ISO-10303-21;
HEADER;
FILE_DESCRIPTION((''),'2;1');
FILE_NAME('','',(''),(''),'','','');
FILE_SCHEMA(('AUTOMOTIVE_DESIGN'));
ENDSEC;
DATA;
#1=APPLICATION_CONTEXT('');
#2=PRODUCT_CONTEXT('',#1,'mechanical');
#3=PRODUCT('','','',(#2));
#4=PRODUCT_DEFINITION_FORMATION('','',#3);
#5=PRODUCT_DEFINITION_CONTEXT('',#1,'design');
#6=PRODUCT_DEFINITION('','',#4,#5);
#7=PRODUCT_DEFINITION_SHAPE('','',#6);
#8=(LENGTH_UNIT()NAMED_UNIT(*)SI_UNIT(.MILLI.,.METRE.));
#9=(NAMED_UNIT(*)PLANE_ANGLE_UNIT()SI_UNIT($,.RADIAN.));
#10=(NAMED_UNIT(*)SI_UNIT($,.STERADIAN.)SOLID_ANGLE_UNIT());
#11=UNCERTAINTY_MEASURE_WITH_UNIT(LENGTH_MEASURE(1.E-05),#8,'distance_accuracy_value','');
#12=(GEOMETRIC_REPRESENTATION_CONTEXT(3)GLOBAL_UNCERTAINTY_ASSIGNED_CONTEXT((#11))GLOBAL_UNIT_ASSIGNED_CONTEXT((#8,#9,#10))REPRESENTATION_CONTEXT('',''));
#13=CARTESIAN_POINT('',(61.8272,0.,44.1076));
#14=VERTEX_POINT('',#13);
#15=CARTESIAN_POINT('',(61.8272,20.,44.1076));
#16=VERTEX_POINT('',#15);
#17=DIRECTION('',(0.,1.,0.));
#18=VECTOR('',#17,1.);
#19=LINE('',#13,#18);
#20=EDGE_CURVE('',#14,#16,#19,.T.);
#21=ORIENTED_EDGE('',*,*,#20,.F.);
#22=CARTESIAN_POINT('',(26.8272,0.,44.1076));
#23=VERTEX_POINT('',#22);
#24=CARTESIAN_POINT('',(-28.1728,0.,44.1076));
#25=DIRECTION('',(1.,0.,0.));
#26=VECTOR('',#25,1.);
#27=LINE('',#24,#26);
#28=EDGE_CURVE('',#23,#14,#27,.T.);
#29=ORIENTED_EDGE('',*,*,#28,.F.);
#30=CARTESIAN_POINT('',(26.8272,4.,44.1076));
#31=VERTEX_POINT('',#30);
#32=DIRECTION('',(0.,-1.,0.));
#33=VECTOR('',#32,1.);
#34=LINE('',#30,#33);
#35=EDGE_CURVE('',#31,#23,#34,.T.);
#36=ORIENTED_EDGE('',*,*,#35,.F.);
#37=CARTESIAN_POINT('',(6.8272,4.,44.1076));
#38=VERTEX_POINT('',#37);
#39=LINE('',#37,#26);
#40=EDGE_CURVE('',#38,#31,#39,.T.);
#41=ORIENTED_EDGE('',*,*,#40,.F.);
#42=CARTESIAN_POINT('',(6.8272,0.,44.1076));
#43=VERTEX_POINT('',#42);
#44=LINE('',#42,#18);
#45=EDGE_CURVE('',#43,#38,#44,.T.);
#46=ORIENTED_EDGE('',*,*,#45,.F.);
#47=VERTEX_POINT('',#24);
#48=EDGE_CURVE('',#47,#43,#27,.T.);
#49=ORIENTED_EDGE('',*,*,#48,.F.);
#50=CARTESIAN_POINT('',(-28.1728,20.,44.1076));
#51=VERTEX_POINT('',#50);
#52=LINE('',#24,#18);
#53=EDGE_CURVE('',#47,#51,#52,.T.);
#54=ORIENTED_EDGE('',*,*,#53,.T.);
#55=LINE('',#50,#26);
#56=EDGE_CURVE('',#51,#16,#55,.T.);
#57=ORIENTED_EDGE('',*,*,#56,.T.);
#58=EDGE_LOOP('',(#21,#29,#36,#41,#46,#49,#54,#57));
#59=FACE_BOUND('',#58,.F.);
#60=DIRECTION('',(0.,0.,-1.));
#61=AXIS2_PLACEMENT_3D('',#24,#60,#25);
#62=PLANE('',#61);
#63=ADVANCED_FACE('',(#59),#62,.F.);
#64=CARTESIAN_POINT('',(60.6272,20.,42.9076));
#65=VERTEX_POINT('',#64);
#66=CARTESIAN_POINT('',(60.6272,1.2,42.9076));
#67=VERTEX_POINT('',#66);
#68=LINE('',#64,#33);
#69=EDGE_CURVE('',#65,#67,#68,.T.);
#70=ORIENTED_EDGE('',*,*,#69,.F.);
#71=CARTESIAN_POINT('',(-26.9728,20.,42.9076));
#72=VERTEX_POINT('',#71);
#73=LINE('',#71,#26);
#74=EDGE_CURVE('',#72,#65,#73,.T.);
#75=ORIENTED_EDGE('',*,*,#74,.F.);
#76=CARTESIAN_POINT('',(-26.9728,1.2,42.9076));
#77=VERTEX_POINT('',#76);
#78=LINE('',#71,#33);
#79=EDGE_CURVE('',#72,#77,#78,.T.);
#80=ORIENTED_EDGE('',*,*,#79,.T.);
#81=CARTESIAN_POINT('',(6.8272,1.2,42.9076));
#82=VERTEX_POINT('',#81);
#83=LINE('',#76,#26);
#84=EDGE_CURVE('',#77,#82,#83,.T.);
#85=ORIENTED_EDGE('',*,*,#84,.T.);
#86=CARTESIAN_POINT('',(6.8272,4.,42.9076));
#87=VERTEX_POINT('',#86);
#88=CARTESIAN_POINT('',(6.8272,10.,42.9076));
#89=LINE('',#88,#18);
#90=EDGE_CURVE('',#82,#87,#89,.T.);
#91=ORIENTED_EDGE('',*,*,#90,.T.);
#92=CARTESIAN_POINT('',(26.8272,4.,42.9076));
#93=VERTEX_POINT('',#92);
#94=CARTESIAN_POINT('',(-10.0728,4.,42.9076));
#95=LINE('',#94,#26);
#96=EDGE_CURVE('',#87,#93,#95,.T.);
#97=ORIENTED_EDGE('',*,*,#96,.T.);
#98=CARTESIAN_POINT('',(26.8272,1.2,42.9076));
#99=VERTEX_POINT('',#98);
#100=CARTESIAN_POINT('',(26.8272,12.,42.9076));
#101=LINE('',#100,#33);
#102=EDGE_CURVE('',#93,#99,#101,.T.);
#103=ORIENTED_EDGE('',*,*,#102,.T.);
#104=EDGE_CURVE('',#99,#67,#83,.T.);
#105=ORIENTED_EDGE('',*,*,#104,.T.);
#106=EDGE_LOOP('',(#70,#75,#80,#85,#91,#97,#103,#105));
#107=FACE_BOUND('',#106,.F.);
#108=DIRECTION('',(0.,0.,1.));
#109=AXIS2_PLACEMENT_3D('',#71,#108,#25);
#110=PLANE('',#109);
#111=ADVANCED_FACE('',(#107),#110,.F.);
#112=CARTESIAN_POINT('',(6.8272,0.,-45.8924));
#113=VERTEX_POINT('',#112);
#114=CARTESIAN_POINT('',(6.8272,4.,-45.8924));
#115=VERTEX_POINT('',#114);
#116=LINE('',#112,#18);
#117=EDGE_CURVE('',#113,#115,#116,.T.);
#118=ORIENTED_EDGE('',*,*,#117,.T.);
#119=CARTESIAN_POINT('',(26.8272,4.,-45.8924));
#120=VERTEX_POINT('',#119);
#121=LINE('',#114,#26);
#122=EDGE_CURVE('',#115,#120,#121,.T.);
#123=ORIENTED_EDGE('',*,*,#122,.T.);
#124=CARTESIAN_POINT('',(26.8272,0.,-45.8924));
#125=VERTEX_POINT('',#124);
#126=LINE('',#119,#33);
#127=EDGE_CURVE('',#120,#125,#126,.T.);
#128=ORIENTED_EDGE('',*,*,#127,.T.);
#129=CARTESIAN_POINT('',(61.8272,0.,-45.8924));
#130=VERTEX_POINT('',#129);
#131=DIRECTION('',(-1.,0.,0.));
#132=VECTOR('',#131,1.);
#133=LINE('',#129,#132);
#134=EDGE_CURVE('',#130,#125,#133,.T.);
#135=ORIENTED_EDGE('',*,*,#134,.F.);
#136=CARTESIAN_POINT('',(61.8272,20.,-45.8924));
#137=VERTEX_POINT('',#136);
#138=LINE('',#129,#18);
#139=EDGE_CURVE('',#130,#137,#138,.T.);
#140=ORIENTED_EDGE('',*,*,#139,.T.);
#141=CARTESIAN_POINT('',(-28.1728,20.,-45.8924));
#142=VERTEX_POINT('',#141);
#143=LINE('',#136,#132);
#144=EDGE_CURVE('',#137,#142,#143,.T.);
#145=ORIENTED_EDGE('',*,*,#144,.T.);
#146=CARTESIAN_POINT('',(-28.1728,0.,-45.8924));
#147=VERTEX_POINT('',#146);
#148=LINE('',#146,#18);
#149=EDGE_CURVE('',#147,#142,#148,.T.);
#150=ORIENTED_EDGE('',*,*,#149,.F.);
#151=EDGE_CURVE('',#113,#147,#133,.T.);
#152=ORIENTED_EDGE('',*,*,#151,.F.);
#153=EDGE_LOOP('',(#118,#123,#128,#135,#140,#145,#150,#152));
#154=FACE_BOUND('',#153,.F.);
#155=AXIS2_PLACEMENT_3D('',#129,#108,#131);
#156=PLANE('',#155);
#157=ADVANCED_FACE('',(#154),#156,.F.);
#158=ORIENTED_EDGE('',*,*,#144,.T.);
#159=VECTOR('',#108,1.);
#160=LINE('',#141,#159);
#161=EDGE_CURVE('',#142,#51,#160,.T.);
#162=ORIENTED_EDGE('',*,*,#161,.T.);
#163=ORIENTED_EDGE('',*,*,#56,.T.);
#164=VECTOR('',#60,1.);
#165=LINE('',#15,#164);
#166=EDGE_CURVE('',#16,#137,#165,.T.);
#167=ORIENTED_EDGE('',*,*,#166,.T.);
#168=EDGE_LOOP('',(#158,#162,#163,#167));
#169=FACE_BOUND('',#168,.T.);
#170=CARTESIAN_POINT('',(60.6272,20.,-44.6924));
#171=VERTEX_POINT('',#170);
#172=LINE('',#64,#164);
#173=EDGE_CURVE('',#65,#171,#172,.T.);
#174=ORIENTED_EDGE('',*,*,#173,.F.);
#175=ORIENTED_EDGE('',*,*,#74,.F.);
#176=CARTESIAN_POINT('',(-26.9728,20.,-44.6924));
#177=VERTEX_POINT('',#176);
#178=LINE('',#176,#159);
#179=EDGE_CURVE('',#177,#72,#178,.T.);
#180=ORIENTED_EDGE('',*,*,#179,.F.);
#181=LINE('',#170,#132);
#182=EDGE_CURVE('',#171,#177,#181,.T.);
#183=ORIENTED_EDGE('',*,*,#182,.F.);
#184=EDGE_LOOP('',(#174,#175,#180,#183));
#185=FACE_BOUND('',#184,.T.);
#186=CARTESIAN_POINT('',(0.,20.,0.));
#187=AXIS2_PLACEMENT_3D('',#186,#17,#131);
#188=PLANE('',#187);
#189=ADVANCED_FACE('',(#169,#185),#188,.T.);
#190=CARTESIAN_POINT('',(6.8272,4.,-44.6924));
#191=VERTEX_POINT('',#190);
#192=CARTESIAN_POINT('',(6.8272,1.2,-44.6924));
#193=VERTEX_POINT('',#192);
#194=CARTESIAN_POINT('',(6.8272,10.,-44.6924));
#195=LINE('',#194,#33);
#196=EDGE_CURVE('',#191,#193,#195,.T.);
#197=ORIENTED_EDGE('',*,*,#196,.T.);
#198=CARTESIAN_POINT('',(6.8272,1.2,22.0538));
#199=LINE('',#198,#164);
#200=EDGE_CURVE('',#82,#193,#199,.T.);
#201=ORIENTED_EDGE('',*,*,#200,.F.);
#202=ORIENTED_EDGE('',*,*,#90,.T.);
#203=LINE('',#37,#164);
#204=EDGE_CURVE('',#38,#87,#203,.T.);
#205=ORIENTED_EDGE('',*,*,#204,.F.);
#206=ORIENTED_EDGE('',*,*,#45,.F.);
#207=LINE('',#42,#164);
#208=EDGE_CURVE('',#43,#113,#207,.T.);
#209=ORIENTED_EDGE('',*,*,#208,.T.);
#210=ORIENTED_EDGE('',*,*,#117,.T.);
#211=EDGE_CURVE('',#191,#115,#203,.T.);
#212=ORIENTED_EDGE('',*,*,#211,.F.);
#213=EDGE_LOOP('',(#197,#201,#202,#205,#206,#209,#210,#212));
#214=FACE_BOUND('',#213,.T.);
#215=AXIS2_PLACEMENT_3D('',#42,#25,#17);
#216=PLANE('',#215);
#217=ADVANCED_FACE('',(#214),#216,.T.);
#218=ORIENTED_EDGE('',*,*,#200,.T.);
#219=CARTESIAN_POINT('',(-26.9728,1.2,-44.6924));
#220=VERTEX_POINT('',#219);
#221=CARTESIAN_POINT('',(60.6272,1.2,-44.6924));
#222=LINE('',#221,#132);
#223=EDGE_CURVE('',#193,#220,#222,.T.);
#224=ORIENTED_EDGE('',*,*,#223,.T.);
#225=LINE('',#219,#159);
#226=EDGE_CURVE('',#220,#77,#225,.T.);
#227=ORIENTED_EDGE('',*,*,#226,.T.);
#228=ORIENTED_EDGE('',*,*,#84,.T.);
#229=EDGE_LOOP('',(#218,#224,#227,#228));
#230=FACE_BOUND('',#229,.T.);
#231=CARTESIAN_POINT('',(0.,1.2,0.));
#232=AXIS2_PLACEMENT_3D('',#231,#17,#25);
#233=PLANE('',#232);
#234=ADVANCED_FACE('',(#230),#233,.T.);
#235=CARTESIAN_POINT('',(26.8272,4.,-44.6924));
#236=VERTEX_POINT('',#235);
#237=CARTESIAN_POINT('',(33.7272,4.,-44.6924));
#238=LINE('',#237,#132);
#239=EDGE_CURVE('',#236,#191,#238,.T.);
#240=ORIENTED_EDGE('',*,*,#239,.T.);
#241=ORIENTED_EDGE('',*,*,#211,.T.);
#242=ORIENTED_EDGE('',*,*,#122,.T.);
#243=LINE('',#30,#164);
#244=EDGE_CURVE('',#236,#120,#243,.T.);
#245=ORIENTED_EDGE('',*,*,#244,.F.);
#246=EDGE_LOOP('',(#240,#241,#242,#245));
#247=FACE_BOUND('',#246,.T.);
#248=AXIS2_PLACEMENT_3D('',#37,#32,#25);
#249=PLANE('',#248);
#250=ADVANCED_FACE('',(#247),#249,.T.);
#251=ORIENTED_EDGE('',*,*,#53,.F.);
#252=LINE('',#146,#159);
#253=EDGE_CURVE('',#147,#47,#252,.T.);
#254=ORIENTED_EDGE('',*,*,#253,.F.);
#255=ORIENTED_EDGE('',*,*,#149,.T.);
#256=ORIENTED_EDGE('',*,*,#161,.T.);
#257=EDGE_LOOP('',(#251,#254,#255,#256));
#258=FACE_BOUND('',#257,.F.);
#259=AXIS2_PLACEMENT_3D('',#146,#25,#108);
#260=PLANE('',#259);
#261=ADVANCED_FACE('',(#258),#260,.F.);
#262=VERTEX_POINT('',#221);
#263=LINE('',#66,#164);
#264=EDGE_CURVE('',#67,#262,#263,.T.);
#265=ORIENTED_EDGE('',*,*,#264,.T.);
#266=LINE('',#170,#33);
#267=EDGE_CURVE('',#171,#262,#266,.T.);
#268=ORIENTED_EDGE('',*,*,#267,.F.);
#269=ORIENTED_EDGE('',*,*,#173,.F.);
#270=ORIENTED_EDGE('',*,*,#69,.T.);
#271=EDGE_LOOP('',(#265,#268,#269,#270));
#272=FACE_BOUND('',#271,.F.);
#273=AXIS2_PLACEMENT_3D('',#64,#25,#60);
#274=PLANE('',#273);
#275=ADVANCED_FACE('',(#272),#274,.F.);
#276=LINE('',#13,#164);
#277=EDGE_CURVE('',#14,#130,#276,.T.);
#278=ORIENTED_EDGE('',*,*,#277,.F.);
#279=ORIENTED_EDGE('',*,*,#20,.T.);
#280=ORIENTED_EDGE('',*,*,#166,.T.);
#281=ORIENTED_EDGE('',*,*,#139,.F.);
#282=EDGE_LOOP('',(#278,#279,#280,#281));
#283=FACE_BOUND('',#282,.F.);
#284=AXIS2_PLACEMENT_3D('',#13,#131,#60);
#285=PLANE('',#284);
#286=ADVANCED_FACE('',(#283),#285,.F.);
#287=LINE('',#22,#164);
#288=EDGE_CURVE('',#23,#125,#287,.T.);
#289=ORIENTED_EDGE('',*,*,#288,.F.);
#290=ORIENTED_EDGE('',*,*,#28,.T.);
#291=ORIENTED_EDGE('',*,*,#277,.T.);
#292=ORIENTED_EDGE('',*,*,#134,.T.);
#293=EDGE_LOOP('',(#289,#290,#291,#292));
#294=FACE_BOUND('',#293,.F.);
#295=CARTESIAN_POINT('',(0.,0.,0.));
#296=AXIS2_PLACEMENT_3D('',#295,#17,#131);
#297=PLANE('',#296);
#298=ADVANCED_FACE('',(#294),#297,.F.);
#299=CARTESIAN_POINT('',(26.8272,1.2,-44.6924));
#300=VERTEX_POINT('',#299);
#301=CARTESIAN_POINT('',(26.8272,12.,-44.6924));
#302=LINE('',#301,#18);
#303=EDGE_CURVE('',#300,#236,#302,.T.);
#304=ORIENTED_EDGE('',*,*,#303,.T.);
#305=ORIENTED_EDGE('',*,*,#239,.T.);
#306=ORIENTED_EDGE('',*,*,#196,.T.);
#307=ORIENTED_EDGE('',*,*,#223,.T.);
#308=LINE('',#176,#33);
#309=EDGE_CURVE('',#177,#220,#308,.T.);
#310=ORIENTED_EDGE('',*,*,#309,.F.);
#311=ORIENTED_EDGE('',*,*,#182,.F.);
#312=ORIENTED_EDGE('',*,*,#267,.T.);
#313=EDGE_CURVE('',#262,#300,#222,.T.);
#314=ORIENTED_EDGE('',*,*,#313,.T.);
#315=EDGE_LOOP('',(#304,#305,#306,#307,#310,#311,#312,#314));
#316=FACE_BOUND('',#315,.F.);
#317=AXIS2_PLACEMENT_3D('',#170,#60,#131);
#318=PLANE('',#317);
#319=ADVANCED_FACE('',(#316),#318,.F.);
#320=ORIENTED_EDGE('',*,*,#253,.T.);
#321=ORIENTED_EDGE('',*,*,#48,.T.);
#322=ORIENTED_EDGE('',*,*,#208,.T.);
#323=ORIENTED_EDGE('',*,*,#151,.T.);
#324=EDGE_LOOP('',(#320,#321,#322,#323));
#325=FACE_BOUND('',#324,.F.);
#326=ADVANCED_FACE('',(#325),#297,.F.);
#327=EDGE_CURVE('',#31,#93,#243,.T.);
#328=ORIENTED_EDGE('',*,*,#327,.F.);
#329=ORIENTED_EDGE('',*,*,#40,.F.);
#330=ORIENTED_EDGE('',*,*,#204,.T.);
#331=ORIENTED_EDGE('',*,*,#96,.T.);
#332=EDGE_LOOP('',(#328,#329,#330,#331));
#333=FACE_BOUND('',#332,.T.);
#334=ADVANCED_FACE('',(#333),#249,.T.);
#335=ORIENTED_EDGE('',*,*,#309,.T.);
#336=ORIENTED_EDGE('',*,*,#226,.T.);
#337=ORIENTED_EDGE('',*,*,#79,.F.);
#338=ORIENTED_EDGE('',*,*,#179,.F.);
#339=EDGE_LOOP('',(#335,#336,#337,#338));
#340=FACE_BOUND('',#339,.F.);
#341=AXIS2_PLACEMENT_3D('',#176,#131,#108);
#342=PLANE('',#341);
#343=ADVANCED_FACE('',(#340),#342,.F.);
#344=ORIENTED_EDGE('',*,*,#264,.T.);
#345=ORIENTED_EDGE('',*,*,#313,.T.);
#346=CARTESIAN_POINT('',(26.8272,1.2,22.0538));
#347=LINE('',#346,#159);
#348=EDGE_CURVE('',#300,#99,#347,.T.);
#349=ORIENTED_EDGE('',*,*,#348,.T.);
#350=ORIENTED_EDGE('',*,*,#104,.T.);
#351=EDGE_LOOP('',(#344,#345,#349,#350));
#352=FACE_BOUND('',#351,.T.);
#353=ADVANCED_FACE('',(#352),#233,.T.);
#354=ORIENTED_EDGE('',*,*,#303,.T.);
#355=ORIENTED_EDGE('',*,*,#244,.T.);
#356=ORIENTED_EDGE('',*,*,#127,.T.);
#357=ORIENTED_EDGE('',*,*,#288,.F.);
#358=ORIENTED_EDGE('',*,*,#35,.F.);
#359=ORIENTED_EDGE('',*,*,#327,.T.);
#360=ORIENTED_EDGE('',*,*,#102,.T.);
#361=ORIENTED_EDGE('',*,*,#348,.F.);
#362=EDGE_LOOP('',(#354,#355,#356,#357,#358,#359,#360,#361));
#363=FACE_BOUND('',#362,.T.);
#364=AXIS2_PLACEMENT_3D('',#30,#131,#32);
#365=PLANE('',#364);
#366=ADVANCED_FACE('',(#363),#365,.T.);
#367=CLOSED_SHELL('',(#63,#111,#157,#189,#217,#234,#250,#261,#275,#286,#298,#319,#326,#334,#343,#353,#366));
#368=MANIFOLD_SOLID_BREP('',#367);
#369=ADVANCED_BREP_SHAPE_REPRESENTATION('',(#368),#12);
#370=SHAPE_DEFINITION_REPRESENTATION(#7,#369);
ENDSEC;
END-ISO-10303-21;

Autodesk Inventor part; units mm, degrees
ref_plane "YZ Plane" through (0, 0, 0) normal (1, 0, 0) x (0, 1, 0)
ref_plane "XZ Plane" through (0, 0, 0) normal (0, 1, 0) x (-1, 0, 0)
ref_plane "XY Plane" through (0, 0, 0) normal (0, 0, 1) x (1, 0, 0)
sketch "Sketch1" plane through (0, 0, 0) normal (0, 1, 0) x (-1, 0, 0)
  line L0 (28.1728, 44.1076) -> (-61.8272, 44.1076)
  line L1 (-61.8272, 44.1076) -> (-61.8272, -45.8924)
  line L2 (-61.8272, -45.8924) -> (28.1728, -45.8924)
  line L3 (28.1728, -45.8924) -> (28.1728, 44.1076)
  point P0 (0, 0)
  dimension "d0" = 90
  dimension "d1" = 90
extrude "Extrusion1" add sketch "Sketch1" along normal blind 20
sketch "Sketch2" plane through (0, 20, 0) normal (0, 1, 0) x (1, 0, 0)
  line L0 (-26.9728, -42.9076) -> (60.6272, -42.9076)
  line L1 (60.6272, -42.9076) -> (60.6272, 44.6924)
  line L2 (60.6272, 44.6924) -> (-26.9728, 44.6924)
  line L3 (-26.9728, 44.6924) -> (-26.9728, -42.9076)
  line L4 (-28.1728, 45.8924) -> (-28.1728, -44.1076) projected
  line L5 (61.8272, 45.8924) -> (-28.1728, 45.8924) projected
  line L6 (61.8272, -44.1076) -> (61.8272, 45.8924) projected
  line L7 (-28.1728, -44.1076) -> (61.8272, -44.1076) projected
  point P0 (0, 0)
  dimension "d4" = 1.2
  dimension "d5" = 1.2
  dimension "d6" = 1.2
  dimension "d7" = 1.2
extrude "Extrusion2" cut sketch "Sketch2" against normal blind 18.8 contours L3 L2 L1 L0
sketch "Sketch3" plane through (-28.1728, 0, 44.1076) normal (0, 0, 1) x (1, 0, 0)
  line L0 (35, 4) -> (55, 4)
  line L1 (55, 4) -> (55, 0)
  line L2 (55, 0) -> (35, 0)
  line L3 (35, 0) -> (35, 4)
  line L4 (0, 0) -> (90, 0) projected
  line L5 (90, 0) -> (90, 20) projected
  point P0 (28.1728, 0)
  dimension "d10" = 20
  dimension "d11" = 4
  dimension "d12" = 35
extrude "Extrusion3" cut sketch "Sketch3" against normal blind 90
equation "\"d5\" = d4"
equation "\"d6\" = d4"
equation "\"d7\" = d4"
equation "\"d8\" = d2 - d4"
equation "\"d12\" = -0.5 * d10 + 0.5 * d0"
equation "\"d13\" = d0"
equation "\"d2\" = 20"
properties part number "weight_holder"
